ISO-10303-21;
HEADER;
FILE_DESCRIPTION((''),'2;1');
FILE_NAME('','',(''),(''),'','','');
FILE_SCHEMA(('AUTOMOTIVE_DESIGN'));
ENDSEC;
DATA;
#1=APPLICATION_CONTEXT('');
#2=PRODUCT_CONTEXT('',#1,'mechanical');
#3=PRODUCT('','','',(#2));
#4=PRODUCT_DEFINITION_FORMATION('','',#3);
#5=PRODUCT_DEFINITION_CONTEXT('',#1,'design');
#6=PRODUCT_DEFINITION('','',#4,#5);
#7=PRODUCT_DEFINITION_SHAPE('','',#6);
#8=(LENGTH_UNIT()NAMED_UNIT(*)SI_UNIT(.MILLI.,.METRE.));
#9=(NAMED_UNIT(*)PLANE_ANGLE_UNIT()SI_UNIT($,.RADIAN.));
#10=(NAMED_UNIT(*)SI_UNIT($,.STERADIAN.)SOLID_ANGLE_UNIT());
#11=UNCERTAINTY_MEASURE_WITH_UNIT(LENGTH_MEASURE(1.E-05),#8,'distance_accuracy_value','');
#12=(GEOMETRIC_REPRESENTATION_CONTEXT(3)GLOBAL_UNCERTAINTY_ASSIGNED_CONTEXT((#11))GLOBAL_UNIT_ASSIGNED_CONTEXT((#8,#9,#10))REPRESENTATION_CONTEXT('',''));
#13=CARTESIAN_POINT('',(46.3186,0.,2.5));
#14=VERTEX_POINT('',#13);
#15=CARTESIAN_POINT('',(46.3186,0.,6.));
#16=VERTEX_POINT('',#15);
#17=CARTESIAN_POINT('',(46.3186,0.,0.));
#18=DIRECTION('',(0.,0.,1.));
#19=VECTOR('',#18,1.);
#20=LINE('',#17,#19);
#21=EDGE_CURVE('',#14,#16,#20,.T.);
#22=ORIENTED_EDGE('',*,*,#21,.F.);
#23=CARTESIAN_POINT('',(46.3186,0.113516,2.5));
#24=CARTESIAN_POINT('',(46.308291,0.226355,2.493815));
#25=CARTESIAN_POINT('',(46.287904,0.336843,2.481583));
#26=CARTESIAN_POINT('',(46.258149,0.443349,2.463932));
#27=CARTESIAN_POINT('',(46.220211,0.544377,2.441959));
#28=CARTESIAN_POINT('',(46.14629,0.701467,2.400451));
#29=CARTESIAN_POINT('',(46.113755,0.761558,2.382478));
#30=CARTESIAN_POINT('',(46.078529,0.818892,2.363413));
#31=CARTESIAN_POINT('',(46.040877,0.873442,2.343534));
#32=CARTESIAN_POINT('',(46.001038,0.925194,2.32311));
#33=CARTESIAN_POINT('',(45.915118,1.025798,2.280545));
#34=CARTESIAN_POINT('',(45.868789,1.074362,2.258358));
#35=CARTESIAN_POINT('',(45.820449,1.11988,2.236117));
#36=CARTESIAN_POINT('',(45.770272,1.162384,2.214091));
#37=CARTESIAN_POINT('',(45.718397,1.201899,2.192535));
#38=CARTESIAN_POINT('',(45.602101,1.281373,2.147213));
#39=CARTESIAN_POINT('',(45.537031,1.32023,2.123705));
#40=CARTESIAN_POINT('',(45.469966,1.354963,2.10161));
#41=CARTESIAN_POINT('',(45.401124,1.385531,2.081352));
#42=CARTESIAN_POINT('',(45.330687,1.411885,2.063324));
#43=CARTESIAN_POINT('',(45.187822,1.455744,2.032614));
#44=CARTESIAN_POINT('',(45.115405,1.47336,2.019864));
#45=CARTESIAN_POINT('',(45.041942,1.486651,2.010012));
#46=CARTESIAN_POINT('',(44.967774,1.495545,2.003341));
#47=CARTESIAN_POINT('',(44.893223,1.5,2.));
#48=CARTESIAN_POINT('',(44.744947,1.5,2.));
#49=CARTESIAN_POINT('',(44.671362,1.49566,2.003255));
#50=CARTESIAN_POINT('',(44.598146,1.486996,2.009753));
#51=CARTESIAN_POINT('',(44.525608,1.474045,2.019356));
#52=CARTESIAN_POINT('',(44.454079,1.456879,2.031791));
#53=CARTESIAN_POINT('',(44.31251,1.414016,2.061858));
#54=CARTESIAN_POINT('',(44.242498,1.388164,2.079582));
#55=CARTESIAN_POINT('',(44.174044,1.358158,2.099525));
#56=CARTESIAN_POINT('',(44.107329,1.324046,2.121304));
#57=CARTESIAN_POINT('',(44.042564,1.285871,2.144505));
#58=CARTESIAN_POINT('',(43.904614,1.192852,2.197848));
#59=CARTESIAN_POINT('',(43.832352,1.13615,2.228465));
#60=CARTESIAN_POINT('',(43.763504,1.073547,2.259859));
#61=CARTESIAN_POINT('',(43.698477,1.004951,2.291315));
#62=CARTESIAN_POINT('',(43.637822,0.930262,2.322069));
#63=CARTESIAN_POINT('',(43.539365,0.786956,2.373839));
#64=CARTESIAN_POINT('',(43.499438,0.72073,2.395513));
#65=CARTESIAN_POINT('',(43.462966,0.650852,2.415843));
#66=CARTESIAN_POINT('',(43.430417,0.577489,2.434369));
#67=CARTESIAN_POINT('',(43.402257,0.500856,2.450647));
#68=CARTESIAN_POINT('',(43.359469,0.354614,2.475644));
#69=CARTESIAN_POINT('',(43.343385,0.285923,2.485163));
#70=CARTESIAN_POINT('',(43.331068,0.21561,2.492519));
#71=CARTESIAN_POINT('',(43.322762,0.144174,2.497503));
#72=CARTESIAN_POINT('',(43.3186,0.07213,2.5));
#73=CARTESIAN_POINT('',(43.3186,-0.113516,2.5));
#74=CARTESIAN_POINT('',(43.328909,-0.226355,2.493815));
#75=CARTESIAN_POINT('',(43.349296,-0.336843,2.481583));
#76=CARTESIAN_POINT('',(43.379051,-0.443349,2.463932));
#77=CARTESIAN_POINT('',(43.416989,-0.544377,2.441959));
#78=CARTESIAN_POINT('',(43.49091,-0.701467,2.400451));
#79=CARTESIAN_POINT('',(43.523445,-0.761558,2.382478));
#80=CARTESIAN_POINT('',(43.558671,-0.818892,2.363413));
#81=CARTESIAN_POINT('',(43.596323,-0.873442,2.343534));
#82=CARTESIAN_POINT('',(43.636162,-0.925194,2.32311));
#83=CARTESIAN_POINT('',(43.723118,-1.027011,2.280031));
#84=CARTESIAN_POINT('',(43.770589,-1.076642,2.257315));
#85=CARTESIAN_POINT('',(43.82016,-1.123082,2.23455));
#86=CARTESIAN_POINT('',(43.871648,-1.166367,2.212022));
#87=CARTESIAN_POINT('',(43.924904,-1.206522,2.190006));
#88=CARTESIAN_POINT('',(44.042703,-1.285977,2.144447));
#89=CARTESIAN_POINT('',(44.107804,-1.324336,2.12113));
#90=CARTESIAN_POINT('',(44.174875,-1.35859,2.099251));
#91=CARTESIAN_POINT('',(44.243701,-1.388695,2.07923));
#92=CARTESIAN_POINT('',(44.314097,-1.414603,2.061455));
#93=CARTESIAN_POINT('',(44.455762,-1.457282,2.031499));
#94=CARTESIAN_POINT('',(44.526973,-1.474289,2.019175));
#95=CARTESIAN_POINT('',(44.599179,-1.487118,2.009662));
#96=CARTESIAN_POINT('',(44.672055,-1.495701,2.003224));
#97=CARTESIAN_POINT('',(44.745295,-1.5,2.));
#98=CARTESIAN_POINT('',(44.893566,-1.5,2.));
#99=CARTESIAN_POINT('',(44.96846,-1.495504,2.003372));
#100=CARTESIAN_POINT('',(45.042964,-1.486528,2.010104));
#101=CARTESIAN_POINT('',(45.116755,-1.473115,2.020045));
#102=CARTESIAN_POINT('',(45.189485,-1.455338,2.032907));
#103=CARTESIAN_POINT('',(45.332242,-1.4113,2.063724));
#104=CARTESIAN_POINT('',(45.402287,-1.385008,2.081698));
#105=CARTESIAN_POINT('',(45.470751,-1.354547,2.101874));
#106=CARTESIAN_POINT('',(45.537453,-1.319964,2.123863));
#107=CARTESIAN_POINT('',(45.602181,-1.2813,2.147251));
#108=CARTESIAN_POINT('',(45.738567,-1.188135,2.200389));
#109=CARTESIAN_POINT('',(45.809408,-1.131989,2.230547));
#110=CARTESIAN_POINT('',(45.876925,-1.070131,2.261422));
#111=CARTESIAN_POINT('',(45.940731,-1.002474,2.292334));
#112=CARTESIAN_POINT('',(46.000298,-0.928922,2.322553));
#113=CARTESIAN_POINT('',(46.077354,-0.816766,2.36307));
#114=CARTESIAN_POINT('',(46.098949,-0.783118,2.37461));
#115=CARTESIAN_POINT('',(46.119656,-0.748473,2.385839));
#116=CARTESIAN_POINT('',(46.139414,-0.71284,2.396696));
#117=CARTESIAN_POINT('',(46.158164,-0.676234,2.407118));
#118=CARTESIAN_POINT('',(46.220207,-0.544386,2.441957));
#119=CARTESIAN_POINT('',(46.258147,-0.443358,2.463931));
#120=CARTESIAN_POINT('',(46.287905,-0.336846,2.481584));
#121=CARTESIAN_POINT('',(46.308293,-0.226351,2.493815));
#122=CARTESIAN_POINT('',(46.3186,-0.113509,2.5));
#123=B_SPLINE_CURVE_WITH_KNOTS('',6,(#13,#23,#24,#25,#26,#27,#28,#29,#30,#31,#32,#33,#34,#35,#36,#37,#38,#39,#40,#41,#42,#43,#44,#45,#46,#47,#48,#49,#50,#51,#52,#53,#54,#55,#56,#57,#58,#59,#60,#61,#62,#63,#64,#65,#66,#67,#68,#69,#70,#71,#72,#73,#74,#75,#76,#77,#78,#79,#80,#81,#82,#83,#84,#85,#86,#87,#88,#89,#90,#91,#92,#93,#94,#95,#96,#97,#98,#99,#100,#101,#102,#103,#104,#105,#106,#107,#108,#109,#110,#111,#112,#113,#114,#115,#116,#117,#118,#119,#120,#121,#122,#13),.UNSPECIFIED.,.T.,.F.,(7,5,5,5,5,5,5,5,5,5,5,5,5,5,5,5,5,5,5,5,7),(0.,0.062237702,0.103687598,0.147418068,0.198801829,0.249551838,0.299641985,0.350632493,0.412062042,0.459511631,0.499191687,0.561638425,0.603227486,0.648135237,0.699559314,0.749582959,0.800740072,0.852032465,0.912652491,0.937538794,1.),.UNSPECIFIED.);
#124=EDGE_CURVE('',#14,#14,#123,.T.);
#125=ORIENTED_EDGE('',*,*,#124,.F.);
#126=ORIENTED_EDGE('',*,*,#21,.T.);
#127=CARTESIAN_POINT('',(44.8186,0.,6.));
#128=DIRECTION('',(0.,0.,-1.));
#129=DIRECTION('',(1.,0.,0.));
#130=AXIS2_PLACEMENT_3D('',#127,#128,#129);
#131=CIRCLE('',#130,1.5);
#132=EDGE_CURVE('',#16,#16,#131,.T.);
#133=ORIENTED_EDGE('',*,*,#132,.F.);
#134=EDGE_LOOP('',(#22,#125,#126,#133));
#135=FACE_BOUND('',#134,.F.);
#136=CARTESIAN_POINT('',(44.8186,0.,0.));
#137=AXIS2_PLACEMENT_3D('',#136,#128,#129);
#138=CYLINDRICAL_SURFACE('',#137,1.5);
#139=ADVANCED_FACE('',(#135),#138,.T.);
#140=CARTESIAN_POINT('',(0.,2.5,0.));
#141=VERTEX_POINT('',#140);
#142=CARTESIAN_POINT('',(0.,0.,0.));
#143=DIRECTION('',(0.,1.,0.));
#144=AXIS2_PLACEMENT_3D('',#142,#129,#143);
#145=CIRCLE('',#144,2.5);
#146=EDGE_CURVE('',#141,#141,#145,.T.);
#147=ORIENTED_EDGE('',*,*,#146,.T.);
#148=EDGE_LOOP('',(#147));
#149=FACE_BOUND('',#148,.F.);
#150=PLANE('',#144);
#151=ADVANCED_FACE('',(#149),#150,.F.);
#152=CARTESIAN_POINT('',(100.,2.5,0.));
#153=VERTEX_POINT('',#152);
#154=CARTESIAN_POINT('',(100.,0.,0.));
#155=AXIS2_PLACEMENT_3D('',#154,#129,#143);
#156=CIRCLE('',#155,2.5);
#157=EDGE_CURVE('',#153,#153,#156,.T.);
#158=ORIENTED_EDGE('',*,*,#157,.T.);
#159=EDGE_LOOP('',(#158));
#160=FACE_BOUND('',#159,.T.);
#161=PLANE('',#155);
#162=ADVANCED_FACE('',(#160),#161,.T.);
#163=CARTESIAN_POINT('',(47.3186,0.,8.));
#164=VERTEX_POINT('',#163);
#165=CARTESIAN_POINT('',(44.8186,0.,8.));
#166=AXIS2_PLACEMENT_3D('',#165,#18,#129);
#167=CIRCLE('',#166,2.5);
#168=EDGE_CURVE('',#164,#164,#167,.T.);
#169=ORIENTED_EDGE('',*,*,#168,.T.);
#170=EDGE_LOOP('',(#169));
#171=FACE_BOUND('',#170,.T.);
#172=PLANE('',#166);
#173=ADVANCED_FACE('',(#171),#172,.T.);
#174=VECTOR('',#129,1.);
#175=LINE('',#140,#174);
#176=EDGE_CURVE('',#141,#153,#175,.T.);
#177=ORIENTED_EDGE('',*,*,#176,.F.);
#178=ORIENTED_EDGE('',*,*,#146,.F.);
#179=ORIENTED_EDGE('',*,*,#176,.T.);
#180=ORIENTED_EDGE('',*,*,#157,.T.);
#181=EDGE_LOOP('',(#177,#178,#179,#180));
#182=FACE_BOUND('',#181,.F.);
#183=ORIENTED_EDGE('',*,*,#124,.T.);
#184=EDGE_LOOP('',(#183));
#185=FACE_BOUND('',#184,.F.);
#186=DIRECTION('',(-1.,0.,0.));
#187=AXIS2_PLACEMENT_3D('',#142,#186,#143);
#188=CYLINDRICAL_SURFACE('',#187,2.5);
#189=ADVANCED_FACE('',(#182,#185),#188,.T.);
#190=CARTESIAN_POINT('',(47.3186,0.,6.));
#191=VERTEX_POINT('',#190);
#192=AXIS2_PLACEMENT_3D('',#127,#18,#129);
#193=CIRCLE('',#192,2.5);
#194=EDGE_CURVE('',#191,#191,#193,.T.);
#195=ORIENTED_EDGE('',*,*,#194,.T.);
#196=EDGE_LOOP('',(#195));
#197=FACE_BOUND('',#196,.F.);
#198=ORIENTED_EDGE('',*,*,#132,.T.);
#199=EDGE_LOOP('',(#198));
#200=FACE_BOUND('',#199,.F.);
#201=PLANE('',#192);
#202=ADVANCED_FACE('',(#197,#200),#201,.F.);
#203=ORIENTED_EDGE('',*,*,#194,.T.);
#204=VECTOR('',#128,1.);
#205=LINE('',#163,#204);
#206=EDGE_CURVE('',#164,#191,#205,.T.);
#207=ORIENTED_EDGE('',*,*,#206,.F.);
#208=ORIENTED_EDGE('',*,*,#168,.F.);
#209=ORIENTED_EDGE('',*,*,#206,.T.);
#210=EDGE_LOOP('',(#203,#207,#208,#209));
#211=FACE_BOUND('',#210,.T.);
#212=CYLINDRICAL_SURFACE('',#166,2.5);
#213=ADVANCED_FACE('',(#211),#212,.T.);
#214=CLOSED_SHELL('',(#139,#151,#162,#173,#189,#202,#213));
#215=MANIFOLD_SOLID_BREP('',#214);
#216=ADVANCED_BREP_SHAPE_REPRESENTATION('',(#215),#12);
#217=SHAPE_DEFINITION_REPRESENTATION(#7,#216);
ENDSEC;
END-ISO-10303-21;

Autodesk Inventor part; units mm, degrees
ref_plane "YZ Plane" through (0, 0, 0) normal (1, 0, 0) x (0, 1, 0)
ref_plane "XZ Plane" through (0, 0, 0) normal (0, 1, 0) x (-1, 0, 0)
ref_plane "XY Plane" through (0, 0, 0) normal (0, 0, 1) x (1, 0, 0)
sketch "Sketch1" plane through (0, 0, 0) normal (1, 0, 0) x (0, 1, 0)
  circle A0 centre (0, 0) radius 2.5
  dimension "d0" = 5
extrude "Extrusion1" add sketch "Sketch1" along normal blind 100
sketch "Sketch2" plane through (0, 0, 0) normal (-1, 0, 0) x (0, 0, 1)
  point P0 (0, 0)
sketch "Sketch3" plane through (0, 0, 0) normal (-1, 0, 0) x (0, 0, 1)
  point P0 (0, 0)
sketch "Sketch4" plane through (0, 0, 0) normal (0, 0, 1) x (1, 0, 0)
  circle A0 centre (44.8186, 0) radius 1.5
  point P0 (0, 0)
  dimension "d3" = 3
extrude "Extrusion2" add sketch "Sketch4" along normal blind 8
sketch "Sketch5" plane through (44.8186, 0, 8) normal (0, 0, 1) x (1, 0, 0)
  circle A0 centre (0, 0) radius 2.5
  point P0 (-44.8186, 0)
  dimension "d6" = 5
extrude "Extrusion3" add sketch "Sketch5" against normal blind 2
properties part number "stylo part1"
